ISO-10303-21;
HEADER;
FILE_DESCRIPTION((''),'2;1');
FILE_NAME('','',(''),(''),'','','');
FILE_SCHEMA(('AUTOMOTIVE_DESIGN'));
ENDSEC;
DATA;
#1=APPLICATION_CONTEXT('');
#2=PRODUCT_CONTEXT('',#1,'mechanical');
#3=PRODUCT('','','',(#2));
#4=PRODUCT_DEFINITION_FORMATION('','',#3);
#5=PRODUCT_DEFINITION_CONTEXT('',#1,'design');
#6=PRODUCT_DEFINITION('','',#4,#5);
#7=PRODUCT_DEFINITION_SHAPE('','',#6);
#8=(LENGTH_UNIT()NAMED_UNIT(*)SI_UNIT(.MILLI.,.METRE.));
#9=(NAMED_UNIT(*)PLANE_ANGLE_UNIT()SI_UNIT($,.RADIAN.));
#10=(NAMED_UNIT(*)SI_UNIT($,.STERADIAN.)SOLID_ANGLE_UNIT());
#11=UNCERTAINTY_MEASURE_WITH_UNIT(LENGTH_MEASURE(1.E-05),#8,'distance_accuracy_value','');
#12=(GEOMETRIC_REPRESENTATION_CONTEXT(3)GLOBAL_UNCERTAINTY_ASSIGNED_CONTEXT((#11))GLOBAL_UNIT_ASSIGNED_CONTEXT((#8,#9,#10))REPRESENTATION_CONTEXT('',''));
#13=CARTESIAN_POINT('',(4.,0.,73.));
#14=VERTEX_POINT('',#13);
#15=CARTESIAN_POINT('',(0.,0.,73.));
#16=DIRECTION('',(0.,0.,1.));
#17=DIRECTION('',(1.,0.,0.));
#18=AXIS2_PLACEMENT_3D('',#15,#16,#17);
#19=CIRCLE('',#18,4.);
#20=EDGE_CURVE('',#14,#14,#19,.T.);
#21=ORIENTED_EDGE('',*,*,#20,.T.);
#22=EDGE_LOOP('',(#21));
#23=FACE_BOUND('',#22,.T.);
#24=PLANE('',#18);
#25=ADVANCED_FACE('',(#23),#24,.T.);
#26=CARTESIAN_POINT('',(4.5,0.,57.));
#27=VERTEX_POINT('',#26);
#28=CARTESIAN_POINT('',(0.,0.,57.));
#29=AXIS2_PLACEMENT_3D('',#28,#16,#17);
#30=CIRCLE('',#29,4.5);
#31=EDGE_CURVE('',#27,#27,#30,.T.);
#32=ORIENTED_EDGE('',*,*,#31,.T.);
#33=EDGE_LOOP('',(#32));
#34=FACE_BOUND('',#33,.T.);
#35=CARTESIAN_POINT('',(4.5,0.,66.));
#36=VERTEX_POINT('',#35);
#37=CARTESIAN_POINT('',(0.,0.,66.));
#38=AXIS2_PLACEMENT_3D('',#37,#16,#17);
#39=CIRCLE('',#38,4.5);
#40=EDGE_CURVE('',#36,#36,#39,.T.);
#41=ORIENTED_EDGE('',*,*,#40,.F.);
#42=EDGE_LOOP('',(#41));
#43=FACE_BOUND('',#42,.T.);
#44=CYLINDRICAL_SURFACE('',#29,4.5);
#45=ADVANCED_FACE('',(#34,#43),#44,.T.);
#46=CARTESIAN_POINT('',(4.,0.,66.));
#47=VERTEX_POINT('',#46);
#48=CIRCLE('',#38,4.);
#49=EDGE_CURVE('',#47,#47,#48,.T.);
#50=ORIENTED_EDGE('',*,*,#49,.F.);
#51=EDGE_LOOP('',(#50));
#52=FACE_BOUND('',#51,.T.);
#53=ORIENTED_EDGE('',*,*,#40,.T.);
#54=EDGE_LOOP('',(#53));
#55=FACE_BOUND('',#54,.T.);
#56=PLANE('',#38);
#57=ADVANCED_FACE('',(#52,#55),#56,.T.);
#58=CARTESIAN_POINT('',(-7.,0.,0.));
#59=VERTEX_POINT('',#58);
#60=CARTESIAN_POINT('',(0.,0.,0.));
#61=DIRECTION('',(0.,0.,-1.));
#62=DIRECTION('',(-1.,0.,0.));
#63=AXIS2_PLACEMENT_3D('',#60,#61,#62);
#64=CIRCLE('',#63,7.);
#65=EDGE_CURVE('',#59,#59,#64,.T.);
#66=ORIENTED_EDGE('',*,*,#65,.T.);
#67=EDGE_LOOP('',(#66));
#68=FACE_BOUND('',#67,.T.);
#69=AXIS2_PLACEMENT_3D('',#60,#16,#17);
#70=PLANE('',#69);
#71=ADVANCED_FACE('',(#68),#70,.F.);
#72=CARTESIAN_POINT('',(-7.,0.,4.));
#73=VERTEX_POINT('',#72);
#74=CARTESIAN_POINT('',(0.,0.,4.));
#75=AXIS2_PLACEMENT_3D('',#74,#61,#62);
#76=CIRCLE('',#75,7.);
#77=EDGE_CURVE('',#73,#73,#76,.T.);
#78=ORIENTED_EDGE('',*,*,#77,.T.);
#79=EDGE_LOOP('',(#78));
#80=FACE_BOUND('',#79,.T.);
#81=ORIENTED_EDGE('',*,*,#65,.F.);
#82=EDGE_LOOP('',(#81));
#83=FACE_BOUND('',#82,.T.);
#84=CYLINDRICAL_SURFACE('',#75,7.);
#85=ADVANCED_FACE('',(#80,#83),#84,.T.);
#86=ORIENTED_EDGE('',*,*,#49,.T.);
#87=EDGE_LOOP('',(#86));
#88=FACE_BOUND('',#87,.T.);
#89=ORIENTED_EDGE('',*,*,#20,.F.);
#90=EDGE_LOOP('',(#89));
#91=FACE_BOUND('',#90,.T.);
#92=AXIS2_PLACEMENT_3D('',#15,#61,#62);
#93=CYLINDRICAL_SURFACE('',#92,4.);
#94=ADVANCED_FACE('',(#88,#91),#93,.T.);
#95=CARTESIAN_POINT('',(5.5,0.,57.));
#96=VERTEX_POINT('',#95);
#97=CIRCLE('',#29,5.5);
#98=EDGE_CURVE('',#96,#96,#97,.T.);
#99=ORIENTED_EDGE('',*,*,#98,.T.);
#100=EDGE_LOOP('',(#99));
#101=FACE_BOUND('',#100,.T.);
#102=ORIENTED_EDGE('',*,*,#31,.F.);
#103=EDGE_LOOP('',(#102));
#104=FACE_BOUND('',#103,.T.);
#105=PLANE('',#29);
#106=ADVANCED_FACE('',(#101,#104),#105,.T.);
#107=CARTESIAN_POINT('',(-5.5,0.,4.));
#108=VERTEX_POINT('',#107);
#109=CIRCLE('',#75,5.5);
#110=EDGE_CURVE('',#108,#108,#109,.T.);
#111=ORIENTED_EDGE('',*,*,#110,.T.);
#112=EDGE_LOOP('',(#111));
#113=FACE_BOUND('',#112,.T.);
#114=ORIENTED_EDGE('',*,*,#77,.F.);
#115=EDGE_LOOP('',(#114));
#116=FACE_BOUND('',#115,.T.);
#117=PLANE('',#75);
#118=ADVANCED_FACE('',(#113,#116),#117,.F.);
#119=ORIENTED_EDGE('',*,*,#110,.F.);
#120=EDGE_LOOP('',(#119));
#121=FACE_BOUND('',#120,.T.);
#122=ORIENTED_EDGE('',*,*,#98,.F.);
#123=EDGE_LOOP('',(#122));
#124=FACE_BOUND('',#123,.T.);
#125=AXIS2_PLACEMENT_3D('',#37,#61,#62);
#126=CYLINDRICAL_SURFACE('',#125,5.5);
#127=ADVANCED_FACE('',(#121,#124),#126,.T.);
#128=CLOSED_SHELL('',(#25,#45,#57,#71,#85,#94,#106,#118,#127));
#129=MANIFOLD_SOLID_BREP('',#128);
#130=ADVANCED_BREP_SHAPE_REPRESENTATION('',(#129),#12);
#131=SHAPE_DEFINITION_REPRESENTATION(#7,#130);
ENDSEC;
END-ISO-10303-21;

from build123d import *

# Parameters (mm, degrees)
SKETCH1_R      = 5.5
EXTRUDE1_DEPTH = 66
EXTRUDE2_START = -9
SKETCH3_R      = 5.5
SKETCH3_R_2    = 4.5
EXTRUDE2_DEPTH = 9
SKETCH4_R      = 7
EXTRUDE3_DEPTH = 4
SKETCH5_R      = 4
EXTRUDE4_DEPTH = 7


with BuildPart() as part:
    # Sketch1 → Extrude1 (new body)
    with BuildSketch(Plane.XY):
        Circle(SKETCH1_R)
    extrude(amount=EXTRUDE1_DEPTH)

    # Sketch3 → Extrude2 (cut)
    with BuildSketch(Plane.XY.offset(66).offset(EXTRUDE2_START)):
        Circle(SKETCH3_R)
        Circle(SKETCH3_R_2, mode=Mode.SUBTRACT)
    extrude(amount=EXTRUDE2_DEPTH, mode=Mode.SUBTRACT)

    # Sketch4 → Extrude3 (add)
    with BuildSketch(Plane(origin=(0, 0, 0), x_dir=(-1, 0, 0), z_dir=(0, 0, -1))):
        Circle(SKETCH4_R)
    extrude(amount=-EXTRUDE3_DEPTH)

    # Sketch5 → Extrude4 (add)
    with BuildSketch(Plane.XY.offset(66)):
        Circle(SKETCH5_R)
    extrude(amount=EXTRUDE4_DEPTH)


solid = part.part
